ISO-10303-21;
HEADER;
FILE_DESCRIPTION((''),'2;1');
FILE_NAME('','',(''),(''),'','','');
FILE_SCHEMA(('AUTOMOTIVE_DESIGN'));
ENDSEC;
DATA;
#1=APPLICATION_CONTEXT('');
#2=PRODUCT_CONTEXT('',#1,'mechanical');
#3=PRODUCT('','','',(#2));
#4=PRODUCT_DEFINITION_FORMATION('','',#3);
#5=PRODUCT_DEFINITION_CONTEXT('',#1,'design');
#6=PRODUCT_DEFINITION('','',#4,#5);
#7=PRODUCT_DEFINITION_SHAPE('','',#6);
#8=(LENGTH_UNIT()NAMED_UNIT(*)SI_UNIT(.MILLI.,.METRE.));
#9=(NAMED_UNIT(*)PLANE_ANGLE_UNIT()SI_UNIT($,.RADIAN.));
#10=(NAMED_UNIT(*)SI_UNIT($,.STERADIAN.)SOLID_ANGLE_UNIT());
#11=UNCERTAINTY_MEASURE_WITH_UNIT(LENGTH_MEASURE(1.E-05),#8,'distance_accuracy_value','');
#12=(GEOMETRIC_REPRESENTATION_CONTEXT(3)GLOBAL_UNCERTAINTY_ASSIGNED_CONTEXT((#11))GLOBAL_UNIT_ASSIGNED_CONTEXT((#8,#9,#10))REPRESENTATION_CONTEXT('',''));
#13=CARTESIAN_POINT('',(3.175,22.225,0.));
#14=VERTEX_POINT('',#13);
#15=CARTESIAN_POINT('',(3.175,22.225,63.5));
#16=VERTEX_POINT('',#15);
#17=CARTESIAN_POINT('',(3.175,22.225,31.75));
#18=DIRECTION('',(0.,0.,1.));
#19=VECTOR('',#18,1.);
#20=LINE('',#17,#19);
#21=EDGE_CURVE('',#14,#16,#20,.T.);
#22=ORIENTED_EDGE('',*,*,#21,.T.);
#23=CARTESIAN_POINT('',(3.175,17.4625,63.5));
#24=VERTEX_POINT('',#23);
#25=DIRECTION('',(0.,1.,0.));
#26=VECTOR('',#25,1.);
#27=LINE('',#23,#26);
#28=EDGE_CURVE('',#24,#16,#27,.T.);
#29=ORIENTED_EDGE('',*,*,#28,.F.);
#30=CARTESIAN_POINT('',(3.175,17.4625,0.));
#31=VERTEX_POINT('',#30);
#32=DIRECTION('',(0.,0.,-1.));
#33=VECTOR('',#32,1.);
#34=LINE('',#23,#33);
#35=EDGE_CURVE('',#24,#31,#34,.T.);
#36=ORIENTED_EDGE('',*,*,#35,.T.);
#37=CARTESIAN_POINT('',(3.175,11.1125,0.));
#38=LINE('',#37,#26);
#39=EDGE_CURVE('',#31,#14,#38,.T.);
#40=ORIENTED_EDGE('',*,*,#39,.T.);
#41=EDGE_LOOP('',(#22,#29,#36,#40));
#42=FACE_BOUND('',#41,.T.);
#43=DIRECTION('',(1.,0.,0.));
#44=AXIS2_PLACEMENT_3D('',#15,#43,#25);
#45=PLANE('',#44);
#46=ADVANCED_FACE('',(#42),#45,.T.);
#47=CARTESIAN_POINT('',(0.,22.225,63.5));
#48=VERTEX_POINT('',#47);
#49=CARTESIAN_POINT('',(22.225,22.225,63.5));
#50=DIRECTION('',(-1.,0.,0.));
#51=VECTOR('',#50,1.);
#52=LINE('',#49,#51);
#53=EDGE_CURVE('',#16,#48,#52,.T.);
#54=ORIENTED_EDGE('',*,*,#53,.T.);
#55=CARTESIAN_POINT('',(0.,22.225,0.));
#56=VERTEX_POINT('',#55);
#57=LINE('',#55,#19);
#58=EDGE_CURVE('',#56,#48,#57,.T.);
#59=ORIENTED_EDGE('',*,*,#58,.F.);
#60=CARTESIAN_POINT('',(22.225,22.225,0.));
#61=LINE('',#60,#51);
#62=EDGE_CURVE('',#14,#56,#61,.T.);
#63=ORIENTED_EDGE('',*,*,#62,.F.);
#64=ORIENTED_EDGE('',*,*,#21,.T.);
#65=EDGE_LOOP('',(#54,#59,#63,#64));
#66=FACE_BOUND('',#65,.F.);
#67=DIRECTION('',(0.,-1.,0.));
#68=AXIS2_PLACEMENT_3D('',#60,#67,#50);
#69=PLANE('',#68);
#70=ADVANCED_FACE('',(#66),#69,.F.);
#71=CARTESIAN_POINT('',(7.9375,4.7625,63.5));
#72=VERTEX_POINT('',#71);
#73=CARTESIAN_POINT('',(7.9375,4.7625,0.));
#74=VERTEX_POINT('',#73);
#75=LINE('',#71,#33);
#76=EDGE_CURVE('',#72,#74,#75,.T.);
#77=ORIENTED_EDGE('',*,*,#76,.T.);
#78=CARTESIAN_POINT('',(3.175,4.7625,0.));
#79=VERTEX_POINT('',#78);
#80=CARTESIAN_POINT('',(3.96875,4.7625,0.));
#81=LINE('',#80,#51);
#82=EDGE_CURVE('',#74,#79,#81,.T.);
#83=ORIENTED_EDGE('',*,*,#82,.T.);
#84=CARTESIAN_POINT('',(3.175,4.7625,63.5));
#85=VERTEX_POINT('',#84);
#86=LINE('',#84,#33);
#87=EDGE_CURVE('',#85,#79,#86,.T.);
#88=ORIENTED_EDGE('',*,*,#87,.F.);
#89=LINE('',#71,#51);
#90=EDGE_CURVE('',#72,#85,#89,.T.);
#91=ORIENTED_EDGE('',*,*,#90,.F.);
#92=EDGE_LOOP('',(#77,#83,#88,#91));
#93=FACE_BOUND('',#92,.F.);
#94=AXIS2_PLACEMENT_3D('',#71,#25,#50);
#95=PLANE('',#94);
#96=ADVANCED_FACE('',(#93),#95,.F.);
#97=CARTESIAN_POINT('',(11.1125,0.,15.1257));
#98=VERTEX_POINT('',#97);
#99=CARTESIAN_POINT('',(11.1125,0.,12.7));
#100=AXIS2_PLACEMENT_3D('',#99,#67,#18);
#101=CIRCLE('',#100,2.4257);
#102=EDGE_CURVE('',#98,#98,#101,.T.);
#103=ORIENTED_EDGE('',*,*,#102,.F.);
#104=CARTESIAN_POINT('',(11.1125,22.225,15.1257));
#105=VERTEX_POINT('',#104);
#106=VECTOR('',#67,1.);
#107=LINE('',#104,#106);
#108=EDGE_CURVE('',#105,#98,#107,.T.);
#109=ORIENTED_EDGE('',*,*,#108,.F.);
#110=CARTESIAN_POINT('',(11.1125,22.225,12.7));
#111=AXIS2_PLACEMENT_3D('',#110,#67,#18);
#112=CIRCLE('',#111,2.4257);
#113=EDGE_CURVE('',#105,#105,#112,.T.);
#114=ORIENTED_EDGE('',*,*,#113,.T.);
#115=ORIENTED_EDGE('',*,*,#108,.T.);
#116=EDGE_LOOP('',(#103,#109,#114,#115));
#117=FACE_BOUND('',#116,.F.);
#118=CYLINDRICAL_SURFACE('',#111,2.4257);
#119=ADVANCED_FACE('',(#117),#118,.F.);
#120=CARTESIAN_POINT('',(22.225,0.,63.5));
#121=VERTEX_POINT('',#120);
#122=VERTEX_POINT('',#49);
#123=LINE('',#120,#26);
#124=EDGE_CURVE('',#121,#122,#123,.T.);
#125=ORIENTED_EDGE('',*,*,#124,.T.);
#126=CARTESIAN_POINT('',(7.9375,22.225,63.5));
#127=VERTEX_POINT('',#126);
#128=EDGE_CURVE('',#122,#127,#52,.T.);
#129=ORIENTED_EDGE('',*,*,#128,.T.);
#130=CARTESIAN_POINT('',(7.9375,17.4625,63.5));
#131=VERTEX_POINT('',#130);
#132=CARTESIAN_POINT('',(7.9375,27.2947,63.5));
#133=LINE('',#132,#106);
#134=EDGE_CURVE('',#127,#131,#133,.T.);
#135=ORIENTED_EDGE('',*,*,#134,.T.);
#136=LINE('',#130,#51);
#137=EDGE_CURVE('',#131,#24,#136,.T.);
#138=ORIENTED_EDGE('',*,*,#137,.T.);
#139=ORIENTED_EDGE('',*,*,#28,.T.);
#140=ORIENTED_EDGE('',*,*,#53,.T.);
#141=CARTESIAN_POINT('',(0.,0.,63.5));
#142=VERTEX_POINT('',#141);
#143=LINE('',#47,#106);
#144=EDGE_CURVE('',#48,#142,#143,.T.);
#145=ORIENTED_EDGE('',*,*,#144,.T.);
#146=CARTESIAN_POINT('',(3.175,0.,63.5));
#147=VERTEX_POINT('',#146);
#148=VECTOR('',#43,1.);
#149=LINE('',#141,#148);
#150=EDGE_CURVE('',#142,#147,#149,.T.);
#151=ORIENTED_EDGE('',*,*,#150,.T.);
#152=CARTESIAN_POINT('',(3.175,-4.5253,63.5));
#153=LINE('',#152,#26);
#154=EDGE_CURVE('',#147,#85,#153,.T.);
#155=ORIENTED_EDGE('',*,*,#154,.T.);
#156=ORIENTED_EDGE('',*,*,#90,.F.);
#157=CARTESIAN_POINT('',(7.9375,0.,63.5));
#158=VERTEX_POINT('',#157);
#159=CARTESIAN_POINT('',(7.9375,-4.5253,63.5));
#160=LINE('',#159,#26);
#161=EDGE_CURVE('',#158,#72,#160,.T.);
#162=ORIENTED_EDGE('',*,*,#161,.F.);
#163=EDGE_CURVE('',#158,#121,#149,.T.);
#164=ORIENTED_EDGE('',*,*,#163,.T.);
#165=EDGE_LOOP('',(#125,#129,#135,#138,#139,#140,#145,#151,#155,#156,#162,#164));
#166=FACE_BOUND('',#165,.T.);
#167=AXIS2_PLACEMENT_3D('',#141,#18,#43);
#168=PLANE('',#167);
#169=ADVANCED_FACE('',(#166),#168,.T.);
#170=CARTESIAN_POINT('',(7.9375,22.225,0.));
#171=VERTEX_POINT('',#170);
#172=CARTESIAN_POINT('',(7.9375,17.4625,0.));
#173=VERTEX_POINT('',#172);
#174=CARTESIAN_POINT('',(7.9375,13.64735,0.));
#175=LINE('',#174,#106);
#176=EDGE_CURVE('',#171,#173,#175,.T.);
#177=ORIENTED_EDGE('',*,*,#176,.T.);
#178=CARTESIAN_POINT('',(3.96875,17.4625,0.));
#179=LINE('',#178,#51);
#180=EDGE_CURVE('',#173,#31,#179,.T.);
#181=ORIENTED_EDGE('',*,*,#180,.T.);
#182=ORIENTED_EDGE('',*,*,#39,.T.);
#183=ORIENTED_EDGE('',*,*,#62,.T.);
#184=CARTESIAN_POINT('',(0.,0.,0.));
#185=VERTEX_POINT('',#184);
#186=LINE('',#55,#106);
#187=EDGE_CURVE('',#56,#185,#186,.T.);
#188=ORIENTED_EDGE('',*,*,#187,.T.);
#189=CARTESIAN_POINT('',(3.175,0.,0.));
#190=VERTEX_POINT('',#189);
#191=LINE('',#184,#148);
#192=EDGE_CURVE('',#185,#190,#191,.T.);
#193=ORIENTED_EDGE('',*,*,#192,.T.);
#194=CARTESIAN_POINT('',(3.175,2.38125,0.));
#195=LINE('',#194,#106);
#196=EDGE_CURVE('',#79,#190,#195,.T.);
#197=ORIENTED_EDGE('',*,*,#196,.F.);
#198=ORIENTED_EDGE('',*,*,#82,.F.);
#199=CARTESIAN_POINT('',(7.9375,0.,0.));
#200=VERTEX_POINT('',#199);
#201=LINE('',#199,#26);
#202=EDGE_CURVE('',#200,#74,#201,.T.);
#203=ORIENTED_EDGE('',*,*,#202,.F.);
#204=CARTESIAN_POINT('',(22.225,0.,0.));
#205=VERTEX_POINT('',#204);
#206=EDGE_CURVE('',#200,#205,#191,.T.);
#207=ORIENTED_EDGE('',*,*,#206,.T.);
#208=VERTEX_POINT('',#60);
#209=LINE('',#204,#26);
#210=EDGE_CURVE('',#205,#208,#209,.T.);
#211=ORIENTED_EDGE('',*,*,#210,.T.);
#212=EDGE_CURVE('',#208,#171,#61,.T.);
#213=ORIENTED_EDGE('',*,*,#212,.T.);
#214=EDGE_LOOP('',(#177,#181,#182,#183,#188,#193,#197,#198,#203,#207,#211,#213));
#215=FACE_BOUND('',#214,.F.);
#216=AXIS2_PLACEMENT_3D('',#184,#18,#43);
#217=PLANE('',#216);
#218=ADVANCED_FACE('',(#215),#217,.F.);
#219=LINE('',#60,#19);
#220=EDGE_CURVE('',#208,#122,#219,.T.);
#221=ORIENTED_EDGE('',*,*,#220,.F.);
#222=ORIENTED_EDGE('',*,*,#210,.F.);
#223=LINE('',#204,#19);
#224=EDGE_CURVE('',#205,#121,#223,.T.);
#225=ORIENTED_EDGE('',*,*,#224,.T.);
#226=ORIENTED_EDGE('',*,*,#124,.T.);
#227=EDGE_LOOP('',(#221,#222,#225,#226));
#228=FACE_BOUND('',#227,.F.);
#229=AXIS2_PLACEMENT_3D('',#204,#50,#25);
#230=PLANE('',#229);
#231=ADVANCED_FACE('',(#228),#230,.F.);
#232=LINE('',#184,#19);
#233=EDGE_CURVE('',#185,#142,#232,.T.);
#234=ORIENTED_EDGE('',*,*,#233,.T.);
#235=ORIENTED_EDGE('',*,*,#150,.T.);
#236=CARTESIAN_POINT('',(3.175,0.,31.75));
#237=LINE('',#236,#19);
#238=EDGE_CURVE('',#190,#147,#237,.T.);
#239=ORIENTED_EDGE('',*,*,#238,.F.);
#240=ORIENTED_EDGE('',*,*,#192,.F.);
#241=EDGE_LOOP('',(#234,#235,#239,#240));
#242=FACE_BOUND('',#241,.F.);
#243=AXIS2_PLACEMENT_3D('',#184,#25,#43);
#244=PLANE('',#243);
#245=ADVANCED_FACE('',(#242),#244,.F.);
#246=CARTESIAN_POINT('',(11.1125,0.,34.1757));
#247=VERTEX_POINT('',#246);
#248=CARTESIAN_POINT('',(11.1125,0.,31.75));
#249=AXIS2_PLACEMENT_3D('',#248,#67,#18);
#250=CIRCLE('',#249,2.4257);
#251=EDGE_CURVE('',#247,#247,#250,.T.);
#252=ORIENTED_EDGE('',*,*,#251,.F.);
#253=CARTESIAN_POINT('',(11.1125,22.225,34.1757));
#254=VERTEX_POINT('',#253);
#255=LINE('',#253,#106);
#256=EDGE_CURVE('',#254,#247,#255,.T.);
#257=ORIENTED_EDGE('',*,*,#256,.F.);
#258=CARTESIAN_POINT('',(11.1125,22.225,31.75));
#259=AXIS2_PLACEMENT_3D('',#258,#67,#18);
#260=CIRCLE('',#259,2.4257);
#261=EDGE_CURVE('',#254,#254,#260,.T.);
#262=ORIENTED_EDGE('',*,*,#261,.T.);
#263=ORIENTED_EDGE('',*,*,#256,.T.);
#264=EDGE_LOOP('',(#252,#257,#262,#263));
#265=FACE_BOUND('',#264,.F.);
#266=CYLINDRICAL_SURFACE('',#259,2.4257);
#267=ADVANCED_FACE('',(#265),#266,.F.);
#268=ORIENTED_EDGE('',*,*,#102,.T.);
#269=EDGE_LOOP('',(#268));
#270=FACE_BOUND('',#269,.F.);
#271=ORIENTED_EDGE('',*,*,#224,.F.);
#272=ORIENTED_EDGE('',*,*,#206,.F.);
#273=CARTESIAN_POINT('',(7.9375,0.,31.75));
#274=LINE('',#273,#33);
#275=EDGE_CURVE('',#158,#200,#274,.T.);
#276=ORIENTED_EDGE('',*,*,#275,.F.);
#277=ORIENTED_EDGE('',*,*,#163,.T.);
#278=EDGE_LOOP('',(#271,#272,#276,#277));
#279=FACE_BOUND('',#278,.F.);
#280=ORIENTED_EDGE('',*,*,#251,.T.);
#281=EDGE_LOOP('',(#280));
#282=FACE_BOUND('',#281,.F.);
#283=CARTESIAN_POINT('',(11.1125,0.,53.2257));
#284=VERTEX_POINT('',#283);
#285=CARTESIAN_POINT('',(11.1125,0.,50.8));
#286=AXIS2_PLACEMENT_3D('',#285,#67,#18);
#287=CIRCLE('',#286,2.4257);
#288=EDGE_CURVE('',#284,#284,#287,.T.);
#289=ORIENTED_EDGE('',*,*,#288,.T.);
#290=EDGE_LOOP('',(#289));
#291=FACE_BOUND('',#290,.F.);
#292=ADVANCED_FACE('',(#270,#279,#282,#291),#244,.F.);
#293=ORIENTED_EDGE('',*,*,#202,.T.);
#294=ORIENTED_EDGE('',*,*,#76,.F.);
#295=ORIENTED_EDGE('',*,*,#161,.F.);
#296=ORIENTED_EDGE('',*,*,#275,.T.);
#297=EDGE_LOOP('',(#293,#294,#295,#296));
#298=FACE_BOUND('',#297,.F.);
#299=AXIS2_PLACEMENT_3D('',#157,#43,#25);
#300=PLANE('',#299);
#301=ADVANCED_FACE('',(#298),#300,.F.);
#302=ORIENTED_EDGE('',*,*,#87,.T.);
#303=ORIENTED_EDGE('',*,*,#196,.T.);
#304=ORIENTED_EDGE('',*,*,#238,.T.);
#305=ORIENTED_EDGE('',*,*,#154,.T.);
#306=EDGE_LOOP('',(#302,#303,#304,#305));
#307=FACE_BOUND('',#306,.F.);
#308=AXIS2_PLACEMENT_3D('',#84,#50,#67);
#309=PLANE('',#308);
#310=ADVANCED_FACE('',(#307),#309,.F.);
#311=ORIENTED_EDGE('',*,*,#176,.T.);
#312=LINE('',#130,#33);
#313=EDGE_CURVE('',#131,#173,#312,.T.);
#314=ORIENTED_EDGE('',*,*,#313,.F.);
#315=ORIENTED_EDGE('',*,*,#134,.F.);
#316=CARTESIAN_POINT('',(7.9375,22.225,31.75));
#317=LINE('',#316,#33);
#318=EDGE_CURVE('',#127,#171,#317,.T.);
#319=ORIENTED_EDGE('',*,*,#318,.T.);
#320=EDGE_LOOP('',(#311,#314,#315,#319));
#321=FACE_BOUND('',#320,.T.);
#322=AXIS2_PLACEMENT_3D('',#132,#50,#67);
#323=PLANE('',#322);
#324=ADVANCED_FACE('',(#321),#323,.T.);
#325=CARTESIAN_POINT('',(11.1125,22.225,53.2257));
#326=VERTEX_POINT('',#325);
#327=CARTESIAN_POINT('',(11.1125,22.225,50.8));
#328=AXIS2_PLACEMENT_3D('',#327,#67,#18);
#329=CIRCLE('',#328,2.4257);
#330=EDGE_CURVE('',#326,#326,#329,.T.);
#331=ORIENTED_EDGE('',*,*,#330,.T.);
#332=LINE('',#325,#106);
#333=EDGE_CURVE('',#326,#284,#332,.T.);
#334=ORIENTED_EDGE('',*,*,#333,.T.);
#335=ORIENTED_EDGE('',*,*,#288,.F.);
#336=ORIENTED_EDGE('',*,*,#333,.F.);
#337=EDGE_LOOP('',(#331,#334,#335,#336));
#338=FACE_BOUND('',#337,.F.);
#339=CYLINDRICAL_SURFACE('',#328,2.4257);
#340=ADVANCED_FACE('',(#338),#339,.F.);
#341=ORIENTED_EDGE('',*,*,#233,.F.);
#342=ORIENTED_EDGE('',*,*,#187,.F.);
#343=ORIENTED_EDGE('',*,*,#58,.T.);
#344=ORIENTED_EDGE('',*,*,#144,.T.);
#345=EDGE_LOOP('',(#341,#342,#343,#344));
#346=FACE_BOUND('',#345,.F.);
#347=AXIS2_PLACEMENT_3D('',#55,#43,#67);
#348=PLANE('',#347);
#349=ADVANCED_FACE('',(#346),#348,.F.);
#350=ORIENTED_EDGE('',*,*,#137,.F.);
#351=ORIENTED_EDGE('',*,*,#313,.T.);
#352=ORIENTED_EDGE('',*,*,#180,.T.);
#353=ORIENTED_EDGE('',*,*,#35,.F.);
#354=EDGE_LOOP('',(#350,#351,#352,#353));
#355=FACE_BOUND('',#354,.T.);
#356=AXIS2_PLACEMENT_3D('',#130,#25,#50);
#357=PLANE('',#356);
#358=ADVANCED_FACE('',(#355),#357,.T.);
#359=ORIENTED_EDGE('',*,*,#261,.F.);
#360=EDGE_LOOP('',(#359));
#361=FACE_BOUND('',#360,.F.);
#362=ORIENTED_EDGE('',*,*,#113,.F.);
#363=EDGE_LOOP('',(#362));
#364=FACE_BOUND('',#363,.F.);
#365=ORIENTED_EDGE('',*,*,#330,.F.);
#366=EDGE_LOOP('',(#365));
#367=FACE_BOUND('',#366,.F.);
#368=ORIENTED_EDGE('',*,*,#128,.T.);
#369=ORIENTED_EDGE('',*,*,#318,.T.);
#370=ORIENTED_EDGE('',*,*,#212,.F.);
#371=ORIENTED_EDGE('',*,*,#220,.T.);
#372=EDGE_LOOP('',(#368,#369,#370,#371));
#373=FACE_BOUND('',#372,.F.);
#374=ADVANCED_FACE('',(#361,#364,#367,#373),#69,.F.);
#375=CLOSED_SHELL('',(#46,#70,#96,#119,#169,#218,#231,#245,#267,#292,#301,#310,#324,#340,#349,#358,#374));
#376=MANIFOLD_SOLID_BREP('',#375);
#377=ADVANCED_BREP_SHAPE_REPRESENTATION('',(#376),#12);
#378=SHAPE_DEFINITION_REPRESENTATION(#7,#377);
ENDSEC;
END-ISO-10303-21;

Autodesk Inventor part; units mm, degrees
ref_plane "YZ Plane" through (0, 0, 0) normal (1, 0, 0) x (0, 1, 0)
ref_plane "XZ Plane" through (0, 0, 0) normal (0, 1, 0) x (-1, 0, 0)
ref_plane "XY Plane" through (0, 0, 0) normal (0, 0, 1) x (1, 0, 0)
sketch "Sketch1" plane through (0, 0, 0) normal (0, 0, 1) x (1, 0, 0)
  line L0 (0, 0) -> (22.225, 0)
  line L1 (22.225, 0) -> (22.225, 22.225)
  line L2 (22.225, 22.225) -> (0, 22.225)
  line L3 (0, 22.225) -> (0, 0)
  dimension "d0" = 22.225
extrude "Extrusion1" add sketch "Sketch1" along normal blind 63.5
sketch "Sketch2" plane through (0, 22.225, 0) normal (0, 1, 0) x (1, 0, 0)
  line L0 (0, 0) -> (0, -63.5) projected
  line L1 (22.225, -63.5) -> (0, -63.5) projected
  line L2 (22.225, 0) -> (0, 0) projected
  point P0 (11.1125, -12.7)
  point P1 (11.1125, -31.75)
  point P2 (11.1125, -50.8)
  point P3 (11.1125, 0)
  dimension "d26" = 12.7
  dimension "d28" = 19.05
  dimension "d29" = 19.05
hole "Hole1" at (11.1125, 22.225, 12.7) at (11.1125, 22.225, 31.75) at (11.1125, 22.225, 50.8) direction (0, -1, 0) diameter 4.8514 end through all
sketch "Sketch3" plane through (0, 0, 63.5) normal (0, 0, 1) x (1, 0, 0)
  line L0 (22.225, 22.225) -> (0, 22.225) projected
  line L1 (22.225, 0) -> (22.225, 22.225) projected
  line L2 (0, 22.225) -> (0, 0) projected
  line L3 (0, 0) -> (22.225, 0) projected
  point P0 (4.7625, 17.4625)
  point P1 (4.7625, 4.7625)
  dimension "d21" = 4.7625
  dimension "d22" = 4.7625
  dimension "d31" = 4.7625
hole "Hole2" [suppressed]
sketch "Sketch4" plane through (0, 0, 63.5) normal (0, 0, 1) x (1, 0, 0)
  line L0 (3.175, 27.2947) -> (7.9375, 27.2947)
  line L1 (7.9375, 27.2947) -> (7.9375, 17.4625)
  line L2 (7.9375, 17.4625) -> (3.175, 17.4625)
  line L3 (3.175, 17.4625) -> (3.175, 27.2947)
  line L4 (3.175, -4.5253) -> (7.9375, -4.5253)
  line L5 (7.9375, -4.5253) -> (7.9375, 4.7625)
  line L6 (7.9375, 4.7625) -> (3.175, 4.7625)
  line L7 (3.175, 4.7625) -> (3.175, -4.5253)
  line L8 (0, 0) -> (22.225, 0) projected
  line L9 (22.225, 22.225) -> (0, 22.225) projected
  line L10 (0, 22.225) -> (0, 0) projected
  dimension "d32" = 4.7625
  dimension "d33" = 4.7625
  dimension "d34" = 4.7625
  dimension "d35" = 7.9375
  dimension "d38" = 3.175
extrude "Extrusion2" cut sketch "Sketch4" against normal through all
equation "\"d31\" = d21"
equation "\"d34\" = d33"
properties part number "CLB_052_ScissorLiftPlug" material "Nylon 6/6"
